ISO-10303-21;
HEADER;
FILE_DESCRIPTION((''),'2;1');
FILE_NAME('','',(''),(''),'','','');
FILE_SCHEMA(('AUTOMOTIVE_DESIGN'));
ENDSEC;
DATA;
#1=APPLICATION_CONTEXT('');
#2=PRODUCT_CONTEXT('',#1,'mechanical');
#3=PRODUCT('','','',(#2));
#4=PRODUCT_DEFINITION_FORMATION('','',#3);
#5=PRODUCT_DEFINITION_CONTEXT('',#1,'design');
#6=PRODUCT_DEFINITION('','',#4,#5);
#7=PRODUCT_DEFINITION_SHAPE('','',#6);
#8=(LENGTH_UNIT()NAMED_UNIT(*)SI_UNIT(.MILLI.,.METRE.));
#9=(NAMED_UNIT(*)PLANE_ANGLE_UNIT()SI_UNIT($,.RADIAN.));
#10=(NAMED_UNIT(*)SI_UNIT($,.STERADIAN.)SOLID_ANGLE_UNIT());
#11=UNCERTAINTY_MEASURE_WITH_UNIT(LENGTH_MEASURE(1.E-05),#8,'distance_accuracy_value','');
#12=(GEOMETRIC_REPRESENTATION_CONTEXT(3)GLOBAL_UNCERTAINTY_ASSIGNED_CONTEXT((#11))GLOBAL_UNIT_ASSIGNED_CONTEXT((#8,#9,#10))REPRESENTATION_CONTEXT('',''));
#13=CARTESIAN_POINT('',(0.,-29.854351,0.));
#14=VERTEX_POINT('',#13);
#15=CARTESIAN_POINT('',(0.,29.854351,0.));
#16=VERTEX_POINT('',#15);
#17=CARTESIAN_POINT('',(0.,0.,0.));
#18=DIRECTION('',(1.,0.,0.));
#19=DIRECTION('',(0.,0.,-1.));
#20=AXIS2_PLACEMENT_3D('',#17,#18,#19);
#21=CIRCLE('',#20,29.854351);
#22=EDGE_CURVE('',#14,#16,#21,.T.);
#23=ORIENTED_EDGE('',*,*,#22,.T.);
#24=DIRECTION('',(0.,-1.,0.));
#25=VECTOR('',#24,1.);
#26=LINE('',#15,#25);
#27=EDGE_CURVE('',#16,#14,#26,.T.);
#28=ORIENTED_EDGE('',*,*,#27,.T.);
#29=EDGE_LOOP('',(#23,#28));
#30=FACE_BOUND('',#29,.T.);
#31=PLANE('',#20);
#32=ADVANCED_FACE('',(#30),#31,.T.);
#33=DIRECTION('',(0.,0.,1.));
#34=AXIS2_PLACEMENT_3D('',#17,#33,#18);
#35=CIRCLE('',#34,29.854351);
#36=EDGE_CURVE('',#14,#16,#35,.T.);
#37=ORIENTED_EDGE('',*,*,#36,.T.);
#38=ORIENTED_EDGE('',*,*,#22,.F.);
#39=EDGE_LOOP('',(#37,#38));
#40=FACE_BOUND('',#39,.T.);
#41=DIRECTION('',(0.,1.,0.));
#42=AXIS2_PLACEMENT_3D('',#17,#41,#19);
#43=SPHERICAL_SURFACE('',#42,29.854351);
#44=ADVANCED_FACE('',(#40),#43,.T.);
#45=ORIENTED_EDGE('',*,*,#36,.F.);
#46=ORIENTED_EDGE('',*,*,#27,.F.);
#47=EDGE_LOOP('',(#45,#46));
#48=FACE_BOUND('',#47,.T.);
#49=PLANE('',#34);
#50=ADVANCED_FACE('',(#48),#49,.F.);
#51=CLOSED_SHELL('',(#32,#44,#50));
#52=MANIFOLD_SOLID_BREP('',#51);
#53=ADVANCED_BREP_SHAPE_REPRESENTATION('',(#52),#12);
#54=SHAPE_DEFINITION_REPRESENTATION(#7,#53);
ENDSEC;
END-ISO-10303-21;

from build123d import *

# Parameters (mm, degrees)
REVOLVE4_ANGLE = 270


with BuildPart() as part:
    # Sketch1 → Revolve4 (revolve)
    with BuildSketch(Plane.XY):
        with BuildLine():
            Line((0, 29.854351051), (0, -29.854351051))
            ThreePointArc((0, -29.854351051), (29.854351051, 0), (0, 29.854351051))
        make_face()
    revolve(axis=Axis((0, 29.854351051, 0), (0, -1, 0)), revolution_arc=REVOLVE4_ANGLE)


solid = part.part
